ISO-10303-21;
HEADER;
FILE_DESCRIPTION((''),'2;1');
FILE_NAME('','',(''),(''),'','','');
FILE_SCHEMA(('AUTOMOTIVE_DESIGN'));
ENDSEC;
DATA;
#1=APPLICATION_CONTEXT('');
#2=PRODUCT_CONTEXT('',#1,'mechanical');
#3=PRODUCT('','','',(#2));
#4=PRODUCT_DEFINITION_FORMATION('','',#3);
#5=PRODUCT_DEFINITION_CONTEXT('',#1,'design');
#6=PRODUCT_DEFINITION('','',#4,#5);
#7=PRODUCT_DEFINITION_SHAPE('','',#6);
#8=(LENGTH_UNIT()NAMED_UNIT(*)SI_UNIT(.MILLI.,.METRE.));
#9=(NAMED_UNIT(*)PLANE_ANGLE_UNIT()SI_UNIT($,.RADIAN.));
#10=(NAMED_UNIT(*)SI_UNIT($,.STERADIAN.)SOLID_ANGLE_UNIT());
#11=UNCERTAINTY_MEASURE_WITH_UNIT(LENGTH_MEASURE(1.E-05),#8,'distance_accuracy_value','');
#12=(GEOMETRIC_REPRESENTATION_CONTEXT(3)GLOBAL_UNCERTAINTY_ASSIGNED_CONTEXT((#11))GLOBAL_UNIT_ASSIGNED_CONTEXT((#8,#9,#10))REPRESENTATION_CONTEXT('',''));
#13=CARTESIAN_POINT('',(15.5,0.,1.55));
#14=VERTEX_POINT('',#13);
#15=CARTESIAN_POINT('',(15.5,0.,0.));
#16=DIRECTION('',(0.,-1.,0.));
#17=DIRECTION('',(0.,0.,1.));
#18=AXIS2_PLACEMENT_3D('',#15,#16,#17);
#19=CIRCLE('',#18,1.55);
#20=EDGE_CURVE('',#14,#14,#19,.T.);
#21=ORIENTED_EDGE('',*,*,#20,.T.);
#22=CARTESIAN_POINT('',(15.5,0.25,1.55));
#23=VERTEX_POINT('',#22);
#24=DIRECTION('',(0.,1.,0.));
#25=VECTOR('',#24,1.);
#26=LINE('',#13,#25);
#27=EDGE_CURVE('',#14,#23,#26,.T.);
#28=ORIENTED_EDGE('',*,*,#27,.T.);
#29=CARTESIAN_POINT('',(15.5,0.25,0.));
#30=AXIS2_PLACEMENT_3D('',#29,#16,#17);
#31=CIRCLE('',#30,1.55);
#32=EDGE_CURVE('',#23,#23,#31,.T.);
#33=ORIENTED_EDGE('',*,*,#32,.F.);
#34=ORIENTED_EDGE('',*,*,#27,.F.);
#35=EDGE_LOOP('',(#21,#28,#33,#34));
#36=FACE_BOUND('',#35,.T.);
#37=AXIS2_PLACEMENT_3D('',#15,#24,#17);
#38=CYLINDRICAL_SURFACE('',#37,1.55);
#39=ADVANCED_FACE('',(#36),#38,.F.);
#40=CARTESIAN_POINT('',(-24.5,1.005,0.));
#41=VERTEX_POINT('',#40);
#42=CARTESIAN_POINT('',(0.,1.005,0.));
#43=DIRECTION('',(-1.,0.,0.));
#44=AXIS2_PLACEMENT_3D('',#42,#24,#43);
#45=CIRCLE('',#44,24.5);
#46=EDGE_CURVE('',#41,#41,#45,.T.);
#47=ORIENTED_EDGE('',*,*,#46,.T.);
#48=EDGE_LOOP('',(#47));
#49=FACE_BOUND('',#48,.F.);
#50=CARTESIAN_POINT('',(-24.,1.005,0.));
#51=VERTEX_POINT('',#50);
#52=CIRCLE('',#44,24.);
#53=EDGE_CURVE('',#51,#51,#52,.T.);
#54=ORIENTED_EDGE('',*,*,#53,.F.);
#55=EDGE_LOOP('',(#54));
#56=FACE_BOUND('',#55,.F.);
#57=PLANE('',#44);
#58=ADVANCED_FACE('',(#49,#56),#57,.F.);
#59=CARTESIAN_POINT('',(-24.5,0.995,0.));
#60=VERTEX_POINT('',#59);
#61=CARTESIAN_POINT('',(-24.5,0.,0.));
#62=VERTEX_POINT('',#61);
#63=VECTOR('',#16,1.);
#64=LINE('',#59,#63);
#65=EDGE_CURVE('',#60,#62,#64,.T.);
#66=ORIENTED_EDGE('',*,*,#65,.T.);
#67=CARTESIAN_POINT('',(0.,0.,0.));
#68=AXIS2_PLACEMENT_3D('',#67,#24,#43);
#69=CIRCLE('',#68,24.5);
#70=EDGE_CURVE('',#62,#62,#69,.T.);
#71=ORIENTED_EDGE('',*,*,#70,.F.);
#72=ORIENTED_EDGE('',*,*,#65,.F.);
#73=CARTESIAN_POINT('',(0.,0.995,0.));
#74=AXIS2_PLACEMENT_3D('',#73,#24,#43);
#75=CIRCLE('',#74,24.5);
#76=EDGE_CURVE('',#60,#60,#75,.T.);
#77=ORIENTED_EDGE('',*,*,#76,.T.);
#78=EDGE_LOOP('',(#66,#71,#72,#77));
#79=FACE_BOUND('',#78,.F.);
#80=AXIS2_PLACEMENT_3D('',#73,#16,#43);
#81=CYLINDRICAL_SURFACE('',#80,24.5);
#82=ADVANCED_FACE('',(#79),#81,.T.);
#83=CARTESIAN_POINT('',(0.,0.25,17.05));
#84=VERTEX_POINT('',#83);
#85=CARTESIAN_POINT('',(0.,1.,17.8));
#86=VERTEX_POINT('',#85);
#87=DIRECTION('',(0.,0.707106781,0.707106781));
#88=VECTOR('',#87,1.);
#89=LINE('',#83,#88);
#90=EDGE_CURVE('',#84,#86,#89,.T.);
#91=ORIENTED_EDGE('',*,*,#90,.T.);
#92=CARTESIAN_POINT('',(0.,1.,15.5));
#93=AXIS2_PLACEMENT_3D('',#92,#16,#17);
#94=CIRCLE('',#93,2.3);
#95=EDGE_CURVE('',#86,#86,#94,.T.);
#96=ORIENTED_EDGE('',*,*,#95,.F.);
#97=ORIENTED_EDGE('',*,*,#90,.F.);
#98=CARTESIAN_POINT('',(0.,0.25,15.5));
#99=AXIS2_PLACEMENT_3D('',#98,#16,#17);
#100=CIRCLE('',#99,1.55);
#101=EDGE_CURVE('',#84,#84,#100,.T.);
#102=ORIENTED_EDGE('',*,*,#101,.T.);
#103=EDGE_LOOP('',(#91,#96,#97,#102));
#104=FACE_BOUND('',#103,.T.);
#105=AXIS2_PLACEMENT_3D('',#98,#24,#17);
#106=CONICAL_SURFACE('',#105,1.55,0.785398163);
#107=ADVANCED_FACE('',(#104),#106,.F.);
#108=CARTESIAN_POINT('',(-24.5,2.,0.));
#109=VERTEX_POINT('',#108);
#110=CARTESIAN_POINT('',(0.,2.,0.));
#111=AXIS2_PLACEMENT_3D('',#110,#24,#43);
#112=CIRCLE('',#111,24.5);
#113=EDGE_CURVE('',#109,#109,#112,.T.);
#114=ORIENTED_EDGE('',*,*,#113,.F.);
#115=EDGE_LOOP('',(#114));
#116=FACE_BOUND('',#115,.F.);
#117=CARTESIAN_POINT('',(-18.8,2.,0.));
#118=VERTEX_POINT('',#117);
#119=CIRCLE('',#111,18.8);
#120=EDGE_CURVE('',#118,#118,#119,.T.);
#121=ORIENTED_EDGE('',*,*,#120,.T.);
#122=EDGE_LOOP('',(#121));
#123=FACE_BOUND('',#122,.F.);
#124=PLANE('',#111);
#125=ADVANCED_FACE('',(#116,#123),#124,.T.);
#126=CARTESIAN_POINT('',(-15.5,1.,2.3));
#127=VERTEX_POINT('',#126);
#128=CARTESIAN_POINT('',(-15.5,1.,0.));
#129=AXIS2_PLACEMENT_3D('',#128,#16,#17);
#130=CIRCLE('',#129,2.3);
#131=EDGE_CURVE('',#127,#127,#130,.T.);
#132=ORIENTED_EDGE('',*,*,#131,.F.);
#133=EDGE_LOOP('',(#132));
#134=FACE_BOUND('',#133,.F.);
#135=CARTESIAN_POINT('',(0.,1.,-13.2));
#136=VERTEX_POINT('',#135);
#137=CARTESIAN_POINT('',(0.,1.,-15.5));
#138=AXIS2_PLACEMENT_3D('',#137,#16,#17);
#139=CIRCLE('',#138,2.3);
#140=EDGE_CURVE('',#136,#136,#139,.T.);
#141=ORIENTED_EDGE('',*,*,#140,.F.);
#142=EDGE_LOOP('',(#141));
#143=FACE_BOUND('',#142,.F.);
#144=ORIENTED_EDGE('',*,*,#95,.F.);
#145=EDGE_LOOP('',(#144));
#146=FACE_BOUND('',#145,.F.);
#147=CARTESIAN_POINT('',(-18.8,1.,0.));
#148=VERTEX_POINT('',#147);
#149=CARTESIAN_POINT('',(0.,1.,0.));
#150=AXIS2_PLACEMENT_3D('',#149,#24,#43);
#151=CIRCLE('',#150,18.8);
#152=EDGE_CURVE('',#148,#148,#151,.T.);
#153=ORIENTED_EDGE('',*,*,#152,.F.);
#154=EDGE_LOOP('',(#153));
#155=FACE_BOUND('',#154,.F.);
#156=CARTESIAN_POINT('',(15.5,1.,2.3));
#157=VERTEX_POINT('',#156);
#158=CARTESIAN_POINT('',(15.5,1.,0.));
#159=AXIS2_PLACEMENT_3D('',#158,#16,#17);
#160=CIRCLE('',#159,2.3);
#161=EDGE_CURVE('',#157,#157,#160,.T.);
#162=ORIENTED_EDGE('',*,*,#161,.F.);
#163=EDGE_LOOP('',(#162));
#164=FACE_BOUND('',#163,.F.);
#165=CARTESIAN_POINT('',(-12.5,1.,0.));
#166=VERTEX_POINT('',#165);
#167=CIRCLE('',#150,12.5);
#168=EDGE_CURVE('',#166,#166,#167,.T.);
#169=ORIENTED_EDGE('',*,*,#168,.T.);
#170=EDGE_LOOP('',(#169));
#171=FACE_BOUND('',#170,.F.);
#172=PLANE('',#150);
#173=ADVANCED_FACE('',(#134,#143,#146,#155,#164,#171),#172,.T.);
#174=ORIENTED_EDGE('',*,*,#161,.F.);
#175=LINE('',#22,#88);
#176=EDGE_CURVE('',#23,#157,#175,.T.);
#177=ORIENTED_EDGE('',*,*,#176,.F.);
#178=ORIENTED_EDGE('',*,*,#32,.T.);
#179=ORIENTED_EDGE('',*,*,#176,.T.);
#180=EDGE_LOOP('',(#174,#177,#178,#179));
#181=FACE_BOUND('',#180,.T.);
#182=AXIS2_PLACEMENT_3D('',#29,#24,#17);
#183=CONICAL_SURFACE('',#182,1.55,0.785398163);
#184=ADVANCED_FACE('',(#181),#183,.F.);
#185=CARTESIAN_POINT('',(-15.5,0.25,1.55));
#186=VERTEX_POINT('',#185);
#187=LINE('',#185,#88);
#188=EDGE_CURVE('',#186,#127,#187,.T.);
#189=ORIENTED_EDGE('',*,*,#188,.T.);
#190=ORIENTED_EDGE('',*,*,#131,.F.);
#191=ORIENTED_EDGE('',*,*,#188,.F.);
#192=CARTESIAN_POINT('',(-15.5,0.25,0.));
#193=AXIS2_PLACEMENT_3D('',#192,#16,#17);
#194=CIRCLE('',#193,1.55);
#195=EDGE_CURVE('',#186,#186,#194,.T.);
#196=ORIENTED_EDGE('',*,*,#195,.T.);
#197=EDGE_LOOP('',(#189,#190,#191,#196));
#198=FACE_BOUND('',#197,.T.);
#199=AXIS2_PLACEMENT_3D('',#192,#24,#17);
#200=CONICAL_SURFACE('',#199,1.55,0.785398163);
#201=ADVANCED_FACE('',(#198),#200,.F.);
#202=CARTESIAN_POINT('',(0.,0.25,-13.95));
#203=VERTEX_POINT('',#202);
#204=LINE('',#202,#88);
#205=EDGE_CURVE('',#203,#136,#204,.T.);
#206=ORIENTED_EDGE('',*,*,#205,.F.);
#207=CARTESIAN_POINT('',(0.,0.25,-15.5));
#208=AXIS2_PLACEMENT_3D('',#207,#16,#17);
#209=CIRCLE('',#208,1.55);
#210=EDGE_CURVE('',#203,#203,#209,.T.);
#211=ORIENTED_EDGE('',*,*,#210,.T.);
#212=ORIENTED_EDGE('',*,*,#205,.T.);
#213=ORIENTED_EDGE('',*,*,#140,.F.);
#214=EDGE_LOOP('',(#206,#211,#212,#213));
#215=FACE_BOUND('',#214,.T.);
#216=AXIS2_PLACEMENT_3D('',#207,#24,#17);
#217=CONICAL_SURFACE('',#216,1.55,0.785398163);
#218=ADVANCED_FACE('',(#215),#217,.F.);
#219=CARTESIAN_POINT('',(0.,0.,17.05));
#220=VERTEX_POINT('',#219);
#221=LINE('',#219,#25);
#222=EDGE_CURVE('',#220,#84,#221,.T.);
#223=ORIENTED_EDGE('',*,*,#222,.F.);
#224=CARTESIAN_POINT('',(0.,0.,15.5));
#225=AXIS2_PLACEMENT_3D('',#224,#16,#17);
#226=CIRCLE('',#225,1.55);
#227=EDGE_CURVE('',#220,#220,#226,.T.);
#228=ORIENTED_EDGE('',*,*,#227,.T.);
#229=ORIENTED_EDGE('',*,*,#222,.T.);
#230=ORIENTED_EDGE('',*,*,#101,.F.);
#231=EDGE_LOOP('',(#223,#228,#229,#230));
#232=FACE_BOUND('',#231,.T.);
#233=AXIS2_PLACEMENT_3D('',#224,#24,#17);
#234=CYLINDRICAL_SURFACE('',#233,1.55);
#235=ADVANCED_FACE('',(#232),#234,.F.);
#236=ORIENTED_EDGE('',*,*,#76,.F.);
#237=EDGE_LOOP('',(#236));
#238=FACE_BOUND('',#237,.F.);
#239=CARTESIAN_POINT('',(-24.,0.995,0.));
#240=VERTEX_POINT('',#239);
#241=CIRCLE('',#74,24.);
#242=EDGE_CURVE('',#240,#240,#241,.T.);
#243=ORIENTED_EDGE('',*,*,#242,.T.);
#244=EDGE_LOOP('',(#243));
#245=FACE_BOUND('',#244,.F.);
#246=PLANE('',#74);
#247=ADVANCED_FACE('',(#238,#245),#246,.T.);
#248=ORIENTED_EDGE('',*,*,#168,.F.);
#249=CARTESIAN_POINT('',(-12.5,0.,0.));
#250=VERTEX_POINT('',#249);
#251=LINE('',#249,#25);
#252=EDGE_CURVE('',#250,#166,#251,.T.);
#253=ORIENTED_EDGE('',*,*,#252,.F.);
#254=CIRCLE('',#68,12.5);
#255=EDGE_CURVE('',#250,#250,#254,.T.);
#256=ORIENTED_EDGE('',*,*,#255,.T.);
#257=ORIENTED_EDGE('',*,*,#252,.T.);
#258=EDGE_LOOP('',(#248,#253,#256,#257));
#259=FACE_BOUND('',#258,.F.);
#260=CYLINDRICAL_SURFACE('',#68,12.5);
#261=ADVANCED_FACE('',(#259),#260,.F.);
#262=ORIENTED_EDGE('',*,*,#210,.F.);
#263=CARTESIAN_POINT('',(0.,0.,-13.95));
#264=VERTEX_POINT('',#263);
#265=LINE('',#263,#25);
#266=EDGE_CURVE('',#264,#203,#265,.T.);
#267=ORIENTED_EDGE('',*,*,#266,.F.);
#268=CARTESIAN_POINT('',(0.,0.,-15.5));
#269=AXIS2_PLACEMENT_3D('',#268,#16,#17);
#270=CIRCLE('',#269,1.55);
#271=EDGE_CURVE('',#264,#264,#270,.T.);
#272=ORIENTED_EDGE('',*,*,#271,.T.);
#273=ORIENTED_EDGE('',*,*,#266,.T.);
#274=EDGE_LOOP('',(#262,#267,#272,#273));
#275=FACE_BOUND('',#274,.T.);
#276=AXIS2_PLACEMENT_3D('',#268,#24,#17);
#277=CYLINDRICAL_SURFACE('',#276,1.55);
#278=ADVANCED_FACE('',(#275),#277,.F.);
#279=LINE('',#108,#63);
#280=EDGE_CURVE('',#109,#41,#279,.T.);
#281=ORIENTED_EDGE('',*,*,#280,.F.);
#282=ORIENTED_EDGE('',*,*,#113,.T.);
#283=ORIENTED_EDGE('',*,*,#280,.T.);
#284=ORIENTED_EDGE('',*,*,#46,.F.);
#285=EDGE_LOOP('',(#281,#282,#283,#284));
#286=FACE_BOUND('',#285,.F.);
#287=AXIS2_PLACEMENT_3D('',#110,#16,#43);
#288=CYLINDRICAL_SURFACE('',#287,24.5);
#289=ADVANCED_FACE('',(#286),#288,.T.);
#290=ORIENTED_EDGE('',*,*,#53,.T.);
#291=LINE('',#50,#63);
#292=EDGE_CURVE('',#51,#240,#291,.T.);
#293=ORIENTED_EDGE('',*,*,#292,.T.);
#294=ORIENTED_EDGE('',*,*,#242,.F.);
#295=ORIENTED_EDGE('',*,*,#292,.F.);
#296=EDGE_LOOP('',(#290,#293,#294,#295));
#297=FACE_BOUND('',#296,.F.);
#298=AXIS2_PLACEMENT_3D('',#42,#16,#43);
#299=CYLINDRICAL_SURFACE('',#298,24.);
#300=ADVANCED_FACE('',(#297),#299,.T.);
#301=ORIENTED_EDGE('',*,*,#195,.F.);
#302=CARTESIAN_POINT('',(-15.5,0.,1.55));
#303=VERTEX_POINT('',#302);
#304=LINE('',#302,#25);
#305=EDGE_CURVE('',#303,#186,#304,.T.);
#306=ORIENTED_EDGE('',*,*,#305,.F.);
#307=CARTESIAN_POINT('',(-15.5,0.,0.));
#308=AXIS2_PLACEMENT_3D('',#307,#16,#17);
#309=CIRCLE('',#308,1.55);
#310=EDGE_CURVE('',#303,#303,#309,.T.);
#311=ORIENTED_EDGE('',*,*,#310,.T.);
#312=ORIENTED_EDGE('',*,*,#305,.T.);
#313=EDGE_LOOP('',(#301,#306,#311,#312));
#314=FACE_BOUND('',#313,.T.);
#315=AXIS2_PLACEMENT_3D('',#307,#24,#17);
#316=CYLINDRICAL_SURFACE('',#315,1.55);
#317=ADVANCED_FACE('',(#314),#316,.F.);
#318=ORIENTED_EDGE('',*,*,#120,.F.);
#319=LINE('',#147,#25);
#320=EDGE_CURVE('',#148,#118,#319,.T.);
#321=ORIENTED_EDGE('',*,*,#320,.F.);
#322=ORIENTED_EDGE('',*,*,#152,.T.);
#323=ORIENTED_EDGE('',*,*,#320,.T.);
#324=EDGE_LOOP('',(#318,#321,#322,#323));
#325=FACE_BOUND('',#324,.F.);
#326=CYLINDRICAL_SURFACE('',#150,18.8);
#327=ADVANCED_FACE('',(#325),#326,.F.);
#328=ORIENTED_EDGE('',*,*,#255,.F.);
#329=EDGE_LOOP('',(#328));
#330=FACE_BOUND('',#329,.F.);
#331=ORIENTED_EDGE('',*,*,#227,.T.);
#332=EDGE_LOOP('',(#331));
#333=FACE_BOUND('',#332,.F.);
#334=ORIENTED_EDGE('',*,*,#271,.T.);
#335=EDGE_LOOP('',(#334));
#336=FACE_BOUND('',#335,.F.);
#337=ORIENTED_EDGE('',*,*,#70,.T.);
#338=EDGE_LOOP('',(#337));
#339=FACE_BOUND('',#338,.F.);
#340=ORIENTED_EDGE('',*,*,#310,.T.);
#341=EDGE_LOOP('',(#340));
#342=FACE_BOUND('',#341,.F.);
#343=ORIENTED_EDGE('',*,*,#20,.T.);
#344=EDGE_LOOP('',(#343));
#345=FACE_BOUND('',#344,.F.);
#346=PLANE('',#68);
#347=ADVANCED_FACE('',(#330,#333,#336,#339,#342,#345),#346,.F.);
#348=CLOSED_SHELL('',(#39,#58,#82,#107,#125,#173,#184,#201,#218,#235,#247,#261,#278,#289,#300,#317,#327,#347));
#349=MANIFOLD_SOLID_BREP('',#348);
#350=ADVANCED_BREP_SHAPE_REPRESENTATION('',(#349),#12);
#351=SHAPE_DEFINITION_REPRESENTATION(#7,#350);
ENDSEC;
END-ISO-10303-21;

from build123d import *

# Parameters (mm, degrees)
CSK_FOR_M2_5_COUNTERSUNK_FLAT_HEAD_S_2_COUNT = 2
CSK_FOR_M2_5_COUNTERSUNK_FLAT_HEAD_S_2_PITCH = 21.920310217
CSK_FOR_M2_5_COUNTERSUNK_FLAT_HEAD_S_3_COUNT = 2
CSK_FOR_M2_5_COUNTERSUNK_FLAT_HEAD_S_3_PITCH = 31
CSK_FOR_M2_5_COUNTERSUNK_FLAT_HEAD_S_4_COUNT = 2
CSK_FOR_M2_5_COUNTERSUNK_FLAT_HEAD_S_4_PITCH = 21.920310217


with BuildPart() as part:
    # Sketch1 → Revolve1 (revolve)
    with BuildSketch(Plane.XY):
        Polygon((-24.5, 0), (-12.5, 0), (-12.5, 1), (-18.8, 1), (-18.8, 2), (-24.5, 2), (-24.5, 1.005), (-24, 1.005), (-24, 0.995), (-24.5, 0.995), align=None)
    revolve(axis=Axis((0, 0, 0), (0, 1, 0)))

    # Sketch2 → CSK for M2.5 Countersunk Flat Head Screw1 (revolve, cut)
    with BuildSketch(Plane(origin=(0, 1, -15.5), x_dir=(0, 0, 1), z_dir=(1, 0, 0))):
        Polygon((0, 0), (0, 1), (1.55, 1), (1.55, 0.75), (2.3, 0), align=None)
    csk_for_m2_5_countersunk_flat_head_screw = revolve(axis=Axis((0, 7.35, -15.5), (0, -1, 0)), mode=Mode.SUBTRACT)

    # CSK for M2.5 Countersunk Flat Head S 2: CSK for M2.5 Countersunk Flat Head Screw1 ×2
    with Locations(*[Vector(-0.707106781, 0, 0.707106781) * (i * CSK_FOR_M2_5_COUNTERSUNK_FLAT_HEAD_S_2_PITCH) for i in range(1, CSK_FOR_M2_5_COUNTERSUNK_FLAT_HEAD_S_2_COUNT)]):
        add(csk_for_m2_5_countersunk_flat_head_screw, mode=Mode.SUBTRACT)

    # CSK for M2.5 Countersunk Flat Head S 3: CSK for M2.5 Countersunk Flat Head Screw1 ×2
    with Locations(*[(0, 0, i * CSK_FOR_M2_5_COUNTERSUNK_FLAT_HEAD_S_3_PITCH) for i in range(1, CSK_FOR_M2_5_COUNTERSUNK_FLAT_HEAD_S_3_COUNT)]):
        add(csk_for_m2_5_countersunk_flat_head_screw, mode=Mode.SUBTRACT)

    # CSK for M2.5 Countersunk Flat Head S 4: CSK for M2.5 Countersunk Flat Head Screw1 ×2
    with Locations(*[Vector(0.707106781, 0, 0.707106781) * (i * CSK_FOR_M2_5_COUNTERSUNK_FLAT_HEAD_S_4_PITCH) for i in range(1, CSK_FOR_M2_5_COUNTERSUNK_FLAT_HEAD_S_4_COUNT)]):
        add(csk_for_m2_5_countersunk_flat_head_screw, mode=Mode.SUBTRACT)


solid = part.part
